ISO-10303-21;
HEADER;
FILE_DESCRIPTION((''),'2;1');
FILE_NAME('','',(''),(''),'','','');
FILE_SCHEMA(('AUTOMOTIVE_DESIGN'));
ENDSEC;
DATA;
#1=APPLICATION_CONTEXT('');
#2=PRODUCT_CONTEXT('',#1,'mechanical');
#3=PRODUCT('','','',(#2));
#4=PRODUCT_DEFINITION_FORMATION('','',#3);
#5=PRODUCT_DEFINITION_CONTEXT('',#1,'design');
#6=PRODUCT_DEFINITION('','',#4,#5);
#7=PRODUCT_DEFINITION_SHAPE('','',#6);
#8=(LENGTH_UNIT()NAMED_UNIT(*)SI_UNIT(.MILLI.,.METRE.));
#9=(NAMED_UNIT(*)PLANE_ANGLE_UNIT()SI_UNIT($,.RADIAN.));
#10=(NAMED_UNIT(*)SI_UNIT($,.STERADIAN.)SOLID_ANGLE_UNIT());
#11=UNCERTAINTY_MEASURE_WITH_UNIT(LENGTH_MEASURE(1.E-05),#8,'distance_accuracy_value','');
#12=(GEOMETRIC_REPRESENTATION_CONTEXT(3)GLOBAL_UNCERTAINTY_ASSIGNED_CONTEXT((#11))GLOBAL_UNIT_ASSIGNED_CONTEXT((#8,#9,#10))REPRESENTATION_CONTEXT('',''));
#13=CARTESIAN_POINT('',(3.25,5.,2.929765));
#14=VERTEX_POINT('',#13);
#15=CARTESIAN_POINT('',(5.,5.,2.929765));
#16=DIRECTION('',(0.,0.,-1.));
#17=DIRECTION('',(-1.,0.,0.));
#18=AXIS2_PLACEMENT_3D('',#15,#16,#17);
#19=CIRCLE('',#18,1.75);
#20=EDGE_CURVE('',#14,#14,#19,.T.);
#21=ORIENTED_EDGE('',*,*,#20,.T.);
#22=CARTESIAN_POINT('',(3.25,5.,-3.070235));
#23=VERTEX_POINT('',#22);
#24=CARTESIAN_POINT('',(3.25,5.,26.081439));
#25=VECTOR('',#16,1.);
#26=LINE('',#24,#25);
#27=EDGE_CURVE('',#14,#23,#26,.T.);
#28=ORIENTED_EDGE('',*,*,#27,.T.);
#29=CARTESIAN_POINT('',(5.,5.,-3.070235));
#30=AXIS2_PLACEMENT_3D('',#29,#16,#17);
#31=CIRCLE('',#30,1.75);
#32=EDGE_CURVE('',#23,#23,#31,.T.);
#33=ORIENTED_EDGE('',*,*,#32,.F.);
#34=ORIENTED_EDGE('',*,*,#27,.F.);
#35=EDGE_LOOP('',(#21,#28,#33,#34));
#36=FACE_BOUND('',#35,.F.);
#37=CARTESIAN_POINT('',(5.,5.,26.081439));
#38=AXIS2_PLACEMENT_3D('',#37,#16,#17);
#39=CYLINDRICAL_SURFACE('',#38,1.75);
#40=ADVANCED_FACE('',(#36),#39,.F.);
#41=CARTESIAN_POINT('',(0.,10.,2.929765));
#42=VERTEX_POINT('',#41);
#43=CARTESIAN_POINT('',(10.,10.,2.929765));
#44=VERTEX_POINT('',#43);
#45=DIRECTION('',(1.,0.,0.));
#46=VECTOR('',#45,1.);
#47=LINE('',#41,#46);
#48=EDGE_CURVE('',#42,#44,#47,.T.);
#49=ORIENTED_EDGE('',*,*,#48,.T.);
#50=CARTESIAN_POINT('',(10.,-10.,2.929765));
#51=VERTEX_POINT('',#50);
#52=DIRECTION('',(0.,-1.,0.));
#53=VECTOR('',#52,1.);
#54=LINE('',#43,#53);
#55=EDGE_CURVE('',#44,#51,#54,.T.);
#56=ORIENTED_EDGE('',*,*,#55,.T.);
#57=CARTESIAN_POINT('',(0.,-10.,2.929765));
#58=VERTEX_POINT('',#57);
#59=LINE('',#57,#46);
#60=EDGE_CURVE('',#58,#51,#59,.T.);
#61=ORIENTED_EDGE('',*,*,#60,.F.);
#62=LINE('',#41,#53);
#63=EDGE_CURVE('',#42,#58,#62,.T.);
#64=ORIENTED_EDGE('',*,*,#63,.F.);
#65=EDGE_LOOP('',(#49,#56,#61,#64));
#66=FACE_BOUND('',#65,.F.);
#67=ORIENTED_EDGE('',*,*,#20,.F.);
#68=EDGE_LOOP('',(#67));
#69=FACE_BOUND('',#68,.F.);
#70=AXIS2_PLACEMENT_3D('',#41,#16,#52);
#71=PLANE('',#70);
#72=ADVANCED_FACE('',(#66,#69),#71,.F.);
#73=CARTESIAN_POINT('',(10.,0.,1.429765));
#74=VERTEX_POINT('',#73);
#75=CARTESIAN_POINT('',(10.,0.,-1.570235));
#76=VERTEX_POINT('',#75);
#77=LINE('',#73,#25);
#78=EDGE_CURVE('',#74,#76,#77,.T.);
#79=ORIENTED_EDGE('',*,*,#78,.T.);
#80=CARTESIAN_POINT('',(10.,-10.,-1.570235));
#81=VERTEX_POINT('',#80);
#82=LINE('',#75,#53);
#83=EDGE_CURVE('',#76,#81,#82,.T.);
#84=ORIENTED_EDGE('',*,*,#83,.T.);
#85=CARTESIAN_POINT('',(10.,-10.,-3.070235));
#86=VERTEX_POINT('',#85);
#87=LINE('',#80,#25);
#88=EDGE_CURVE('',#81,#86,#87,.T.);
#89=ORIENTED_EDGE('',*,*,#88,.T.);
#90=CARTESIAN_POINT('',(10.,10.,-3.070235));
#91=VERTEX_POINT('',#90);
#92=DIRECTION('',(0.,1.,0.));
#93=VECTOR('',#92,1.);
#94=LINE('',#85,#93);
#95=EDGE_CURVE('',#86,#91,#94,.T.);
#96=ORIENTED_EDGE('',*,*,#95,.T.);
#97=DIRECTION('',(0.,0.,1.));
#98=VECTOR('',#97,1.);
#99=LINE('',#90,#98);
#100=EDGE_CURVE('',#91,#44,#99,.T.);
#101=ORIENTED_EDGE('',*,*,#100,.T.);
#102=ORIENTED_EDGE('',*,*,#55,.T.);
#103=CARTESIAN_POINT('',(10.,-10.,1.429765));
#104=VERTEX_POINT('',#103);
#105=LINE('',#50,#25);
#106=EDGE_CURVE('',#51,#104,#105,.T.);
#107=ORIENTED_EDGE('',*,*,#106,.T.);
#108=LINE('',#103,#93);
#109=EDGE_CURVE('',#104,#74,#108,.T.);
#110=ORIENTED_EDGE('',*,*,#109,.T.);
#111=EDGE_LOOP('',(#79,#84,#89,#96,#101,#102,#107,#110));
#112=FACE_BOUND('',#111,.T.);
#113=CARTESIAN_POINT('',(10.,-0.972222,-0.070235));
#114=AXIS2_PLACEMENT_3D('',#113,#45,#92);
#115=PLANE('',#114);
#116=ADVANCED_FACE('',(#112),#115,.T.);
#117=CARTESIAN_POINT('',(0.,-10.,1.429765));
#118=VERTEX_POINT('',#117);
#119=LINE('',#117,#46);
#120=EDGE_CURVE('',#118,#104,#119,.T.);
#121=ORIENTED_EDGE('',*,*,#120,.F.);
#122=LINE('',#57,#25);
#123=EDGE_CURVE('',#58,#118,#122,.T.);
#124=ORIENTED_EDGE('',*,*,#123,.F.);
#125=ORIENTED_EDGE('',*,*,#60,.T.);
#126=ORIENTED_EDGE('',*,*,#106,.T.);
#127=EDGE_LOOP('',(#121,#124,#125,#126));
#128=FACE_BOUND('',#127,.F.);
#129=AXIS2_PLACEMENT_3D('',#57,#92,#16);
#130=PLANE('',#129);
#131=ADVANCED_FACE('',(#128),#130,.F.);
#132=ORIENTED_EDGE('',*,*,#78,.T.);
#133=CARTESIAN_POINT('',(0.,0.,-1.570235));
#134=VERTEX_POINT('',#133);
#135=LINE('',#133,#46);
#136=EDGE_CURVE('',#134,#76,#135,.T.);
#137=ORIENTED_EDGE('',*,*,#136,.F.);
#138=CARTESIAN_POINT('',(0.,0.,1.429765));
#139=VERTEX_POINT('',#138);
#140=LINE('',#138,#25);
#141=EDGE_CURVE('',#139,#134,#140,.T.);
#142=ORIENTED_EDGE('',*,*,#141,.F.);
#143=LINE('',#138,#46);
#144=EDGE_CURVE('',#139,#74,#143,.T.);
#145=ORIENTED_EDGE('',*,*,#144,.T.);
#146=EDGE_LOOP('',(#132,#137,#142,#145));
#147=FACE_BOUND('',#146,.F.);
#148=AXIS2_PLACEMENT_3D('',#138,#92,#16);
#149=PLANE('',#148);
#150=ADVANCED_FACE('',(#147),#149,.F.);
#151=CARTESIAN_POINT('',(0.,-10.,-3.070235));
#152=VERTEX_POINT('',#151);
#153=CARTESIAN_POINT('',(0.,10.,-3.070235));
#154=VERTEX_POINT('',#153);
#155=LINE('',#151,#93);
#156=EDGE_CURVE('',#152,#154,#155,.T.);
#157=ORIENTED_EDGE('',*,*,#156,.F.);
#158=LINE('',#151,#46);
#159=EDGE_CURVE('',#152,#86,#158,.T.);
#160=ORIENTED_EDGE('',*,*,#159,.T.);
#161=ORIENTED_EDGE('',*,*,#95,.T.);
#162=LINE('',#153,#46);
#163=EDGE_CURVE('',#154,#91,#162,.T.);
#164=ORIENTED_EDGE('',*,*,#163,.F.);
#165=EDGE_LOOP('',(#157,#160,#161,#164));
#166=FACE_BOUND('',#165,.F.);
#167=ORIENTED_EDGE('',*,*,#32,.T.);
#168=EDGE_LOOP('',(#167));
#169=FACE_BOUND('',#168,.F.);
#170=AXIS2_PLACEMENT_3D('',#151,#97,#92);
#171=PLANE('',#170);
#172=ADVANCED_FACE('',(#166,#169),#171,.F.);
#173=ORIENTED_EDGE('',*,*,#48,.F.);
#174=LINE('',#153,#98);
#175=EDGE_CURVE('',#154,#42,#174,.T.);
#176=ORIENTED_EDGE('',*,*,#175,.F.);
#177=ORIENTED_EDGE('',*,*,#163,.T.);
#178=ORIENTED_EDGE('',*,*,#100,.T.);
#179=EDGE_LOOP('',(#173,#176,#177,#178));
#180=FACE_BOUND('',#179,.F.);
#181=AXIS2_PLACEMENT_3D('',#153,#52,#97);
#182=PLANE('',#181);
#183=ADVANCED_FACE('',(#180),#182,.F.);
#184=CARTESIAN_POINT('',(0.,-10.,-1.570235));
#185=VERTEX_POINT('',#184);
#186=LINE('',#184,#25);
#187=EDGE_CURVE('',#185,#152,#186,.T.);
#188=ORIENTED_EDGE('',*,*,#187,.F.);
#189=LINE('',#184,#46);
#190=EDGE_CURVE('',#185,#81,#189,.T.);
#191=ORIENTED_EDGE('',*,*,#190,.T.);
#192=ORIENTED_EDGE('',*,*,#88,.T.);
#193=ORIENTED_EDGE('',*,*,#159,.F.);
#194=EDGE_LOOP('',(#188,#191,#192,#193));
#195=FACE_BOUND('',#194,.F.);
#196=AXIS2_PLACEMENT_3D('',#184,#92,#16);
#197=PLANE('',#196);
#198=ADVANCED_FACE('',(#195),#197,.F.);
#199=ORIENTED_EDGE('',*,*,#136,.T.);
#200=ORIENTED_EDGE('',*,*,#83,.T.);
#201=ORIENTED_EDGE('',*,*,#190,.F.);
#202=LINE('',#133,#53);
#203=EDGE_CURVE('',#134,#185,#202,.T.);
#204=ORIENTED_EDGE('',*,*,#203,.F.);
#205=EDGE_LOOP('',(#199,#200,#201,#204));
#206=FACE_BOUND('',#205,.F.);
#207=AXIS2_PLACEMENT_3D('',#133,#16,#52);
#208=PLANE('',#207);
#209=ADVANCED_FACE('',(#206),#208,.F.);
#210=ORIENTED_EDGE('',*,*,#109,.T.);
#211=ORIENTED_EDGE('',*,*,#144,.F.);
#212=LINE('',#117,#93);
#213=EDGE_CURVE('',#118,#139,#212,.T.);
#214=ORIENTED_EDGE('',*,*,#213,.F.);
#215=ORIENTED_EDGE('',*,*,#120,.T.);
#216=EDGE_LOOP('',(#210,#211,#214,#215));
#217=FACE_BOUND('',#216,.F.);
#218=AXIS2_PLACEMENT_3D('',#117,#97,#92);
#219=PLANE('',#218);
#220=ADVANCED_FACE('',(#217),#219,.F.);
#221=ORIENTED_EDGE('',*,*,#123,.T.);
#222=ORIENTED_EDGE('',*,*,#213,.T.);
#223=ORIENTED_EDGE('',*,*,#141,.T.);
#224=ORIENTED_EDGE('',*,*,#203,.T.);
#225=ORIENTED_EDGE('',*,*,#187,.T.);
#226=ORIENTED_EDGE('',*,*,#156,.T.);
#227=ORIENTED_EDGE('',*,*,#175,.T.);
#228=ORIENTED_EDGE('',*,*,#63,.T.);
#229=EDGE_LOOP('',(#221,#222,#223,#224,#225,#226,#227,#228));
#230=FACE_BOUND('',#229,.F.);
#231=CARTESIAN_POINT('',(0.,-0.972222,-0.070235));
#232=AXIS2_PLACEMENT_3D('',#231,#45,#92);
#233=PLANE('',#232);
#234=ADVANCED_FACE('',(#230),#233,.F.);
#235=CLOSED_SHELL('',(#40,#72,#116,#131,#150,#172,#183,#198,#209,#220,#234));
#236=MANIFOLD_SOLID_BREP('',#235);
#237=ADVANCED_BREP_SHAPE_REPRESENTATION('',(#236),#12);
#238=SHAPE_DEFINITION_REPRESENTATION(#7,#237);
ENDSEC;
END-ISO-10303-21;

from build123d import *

# Parameters (mm, degrees)
F1_DEPTH = 10
F3_D     = 3.5


with BuildPart() as f1:
    # F0 (on Right) → F1 (new body)
    with BuildSketch(Plane.YZ):
        Polygon((-10, -3.070235), (10, -3.070235), (10, 2.929765), (-10, 2.929765), (-10, 1.429765), (0, 1.429765), (0, -1.570235), (-10, -1.570235), align=None)
    extrude(amount=F1_DEPTH)

    # F3 (through all)
    with Locations(Plane.XY.offset(2.929765)):
        with Locations((5, 5)):
            Hole(F3_D / 2)


solid = f1.part
